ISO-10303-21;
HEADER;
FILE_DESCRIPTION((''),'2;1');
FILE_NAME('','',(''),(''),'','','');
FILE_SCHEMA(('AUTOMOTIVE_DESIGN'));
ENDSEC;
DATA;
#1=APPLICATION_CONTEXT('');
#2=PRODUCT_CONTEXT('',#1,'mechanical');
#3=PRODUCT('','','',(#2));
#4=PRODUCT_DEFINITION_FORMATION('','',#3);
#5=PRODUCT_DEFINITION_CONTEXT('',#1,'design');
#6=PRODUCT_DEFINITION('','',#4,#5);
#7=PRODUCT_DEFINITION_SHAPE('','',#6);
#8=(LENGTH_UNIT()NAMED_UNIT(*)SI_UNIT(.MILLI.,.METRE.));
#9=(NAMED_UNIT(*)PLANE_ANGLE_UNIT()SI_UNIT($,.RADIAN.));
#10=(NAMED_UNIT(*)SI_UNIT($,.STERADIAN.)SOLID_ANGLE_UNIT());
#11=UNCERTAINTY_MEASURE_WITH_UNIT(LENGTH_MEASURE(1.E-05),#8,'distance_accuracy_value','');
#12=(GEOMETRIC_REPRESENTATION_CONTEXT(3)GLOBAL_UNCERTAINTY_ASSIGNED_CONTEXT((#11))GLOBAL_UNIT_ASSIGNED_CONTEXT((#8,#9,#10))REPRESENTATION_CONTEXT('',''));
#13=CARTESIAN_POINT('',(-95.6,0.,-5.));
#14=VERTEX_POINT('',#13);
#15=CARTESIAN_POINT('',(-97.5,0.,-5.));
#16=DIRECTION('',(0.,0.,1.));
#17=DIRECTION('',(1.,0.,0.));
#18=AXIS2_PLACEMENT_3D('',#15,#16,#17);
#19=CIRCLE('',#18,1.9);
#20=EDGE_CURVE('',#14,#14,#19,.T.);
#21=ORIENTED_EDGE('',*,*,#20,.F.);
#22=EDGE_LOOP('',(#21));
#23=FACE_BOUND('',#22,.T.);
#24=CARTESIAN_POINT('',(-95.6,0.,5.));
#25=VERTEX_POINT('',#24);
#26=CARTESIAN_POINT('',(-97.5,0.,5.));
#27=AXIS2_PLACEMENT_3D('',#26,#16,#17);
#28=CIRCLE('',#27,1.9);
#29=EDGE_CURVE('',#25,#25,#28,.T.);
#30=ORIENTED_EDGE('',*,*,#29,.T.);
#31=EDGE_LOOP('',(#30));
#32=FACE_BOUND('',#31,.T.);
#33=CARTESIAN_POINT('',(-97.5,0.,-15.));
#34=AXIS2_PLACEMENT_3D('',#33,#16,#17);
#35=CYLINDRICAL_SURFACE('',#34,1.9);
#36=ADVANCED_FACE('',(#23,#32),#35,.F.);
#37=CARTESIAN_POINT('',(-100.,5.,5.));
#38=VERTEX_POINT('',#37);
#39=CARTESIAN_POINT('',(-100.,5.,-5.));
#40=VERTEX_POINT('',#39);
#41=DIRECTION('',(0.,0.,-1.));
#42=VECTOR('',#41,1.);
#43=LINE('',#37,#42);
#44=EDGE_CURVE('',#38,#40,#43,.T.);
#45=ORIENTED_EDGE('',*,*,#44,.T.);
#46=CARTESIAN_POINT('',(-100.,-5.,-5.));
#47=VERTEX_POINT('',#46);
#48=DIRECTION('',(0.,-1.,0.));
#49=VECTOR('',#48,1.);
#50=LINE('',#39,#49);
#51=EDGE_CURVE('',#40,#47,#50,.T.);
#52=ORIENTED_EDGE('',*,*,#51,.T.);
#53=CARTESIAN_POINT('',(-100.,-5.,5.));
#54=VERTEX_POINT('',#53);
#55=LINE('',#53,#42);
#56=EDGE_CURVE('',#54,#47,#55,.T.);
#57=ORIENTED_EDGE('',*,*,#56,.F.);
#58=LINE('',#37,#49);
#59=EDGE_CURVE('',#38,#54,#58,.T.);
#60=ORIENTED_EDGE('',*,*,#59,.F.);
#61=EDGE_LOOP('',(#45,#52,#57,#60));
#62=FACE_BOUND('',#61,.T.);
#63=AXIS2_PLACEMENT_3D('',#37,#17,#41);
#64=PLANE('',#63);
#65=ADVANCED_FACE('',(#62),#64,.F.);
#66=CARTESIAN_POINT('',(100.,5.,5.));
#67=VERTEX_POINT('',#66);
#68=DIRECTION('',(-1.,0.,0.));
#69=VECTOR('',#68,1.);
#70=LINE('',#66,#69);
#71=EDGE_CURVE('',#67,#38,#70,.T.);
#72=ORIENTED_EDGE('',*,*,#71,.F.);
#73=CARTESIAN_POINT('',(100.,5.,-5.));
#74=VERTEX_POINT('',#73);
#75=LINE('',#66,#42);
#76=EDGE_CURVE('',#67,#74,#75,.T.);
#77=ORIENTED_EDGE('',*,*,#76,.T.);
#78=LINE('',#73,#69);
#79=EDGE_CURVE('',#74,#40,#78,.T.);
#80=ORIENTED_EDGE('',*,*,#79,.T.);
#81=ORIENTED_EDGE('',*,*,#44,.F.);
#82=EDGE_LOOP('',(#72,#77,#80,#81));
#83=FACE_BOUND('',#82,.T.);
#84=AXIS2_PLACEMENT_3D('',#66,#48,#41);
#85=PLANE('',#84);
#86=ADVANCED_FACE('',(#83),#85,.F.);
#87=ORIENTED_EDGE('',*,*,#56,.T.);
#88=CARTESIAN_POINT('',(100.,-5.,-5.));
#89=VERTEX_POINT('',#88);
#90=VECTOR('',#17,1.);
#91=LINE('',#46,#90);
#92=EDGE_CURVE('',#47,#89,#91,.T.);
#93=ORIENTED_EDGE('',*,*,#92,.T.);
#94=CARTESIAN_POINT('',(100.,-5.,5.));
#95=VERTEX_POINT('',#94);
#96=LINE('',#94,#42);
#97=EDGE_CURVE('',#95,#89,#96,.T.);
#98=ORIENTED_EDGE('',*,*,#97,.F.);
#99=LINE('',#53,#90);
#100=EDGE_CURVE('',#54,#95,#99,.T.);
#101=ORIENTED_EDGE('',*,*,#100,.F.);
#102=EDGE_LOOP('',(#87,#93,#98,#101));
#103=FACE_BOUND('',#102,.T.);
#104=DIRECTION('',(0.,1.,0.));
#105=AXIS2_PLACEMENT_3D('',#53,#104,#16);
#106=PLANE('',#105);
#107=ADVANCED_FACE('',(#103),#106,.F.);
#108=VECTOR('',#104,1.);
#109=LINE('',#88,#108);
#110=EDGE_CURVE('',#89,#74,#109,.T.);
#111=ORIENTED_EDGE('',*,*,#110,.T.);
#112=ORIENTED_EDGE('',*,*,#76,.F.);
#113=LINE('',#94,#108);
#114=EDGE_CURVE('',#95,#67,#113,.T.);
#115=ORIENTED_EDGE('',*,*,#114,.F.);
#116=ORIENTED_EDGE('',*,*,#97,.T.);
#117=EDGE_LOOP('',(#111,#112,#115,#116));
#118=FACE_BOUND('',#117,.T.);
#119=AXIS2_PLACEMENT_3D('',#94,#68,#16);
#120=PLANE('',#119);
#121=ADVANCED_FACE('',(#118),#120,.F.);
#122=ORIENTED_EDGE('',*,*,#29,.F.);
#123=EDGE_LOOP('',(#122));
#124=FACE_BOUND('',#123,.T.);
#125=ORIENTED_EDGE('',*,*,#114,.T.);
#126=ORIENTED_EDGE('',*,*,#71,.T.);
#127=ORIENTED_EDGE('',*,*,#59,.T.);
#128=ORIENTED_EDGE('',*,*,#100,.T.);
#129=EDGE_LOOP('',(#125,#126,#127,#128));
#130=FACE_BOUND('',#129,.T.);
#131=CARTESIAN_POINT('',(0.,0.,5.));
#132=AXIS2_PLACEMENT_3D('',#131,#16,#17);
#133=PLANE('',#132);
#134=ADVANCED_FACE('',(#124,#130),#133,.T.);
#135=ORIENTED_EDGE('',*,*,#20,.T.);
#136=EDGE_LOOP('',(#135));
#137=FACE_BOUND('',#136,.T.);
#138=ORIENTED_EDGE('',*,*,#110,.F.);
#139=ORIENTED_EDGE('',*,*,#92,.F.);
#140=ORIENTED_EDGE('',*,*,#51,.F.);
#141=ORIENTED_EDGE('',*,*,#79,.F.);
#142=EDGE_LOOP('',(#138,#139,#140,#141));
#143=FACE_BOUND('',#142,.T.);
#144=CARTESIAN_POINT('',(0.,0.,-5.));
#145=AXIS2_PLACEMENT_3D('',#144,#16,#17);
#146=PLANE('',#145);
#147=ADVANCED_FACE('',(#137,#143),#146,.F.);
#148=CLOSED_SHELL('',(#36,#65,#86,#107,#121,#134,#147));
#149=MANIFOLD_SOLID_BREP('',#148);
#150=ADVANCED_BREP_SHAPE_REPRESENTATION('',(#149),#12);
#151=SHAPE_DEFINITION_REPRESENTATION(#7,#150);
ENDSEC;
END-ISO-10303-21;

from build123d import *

# Parameters (mm, degrees)
SKETCH1_W           = 200
SKETCH1_H           = 10
BOSS_EXTRUDE1_DEPTH = 5
SKETCH2_R           = 1.9
CUT_EXTRUDE1_DEPTH  = 15


with BuildPart() as part:
    # Sketch1 → Boss-Extrude1 (new, symmetric)
    with BuildSketch(Plane.XY):
        Rectangle(SKETCH1_W, SKETCH1_H)
    extrude(amount=BOSS_EXTRUDE1_DEPTH, both=True)

    # Sketch2 → Cut-Extrude1 (cut, symmetric)
    with BuildSketch(Plane.XY):
        with Locations((-97.5, 0)):
            Circle(SKETCH2_R)
    extrude(amount=CUT_EXTRUDE1_DEPTH, both=True, mode=Mode.SUBTRACT)


solid = part.part
